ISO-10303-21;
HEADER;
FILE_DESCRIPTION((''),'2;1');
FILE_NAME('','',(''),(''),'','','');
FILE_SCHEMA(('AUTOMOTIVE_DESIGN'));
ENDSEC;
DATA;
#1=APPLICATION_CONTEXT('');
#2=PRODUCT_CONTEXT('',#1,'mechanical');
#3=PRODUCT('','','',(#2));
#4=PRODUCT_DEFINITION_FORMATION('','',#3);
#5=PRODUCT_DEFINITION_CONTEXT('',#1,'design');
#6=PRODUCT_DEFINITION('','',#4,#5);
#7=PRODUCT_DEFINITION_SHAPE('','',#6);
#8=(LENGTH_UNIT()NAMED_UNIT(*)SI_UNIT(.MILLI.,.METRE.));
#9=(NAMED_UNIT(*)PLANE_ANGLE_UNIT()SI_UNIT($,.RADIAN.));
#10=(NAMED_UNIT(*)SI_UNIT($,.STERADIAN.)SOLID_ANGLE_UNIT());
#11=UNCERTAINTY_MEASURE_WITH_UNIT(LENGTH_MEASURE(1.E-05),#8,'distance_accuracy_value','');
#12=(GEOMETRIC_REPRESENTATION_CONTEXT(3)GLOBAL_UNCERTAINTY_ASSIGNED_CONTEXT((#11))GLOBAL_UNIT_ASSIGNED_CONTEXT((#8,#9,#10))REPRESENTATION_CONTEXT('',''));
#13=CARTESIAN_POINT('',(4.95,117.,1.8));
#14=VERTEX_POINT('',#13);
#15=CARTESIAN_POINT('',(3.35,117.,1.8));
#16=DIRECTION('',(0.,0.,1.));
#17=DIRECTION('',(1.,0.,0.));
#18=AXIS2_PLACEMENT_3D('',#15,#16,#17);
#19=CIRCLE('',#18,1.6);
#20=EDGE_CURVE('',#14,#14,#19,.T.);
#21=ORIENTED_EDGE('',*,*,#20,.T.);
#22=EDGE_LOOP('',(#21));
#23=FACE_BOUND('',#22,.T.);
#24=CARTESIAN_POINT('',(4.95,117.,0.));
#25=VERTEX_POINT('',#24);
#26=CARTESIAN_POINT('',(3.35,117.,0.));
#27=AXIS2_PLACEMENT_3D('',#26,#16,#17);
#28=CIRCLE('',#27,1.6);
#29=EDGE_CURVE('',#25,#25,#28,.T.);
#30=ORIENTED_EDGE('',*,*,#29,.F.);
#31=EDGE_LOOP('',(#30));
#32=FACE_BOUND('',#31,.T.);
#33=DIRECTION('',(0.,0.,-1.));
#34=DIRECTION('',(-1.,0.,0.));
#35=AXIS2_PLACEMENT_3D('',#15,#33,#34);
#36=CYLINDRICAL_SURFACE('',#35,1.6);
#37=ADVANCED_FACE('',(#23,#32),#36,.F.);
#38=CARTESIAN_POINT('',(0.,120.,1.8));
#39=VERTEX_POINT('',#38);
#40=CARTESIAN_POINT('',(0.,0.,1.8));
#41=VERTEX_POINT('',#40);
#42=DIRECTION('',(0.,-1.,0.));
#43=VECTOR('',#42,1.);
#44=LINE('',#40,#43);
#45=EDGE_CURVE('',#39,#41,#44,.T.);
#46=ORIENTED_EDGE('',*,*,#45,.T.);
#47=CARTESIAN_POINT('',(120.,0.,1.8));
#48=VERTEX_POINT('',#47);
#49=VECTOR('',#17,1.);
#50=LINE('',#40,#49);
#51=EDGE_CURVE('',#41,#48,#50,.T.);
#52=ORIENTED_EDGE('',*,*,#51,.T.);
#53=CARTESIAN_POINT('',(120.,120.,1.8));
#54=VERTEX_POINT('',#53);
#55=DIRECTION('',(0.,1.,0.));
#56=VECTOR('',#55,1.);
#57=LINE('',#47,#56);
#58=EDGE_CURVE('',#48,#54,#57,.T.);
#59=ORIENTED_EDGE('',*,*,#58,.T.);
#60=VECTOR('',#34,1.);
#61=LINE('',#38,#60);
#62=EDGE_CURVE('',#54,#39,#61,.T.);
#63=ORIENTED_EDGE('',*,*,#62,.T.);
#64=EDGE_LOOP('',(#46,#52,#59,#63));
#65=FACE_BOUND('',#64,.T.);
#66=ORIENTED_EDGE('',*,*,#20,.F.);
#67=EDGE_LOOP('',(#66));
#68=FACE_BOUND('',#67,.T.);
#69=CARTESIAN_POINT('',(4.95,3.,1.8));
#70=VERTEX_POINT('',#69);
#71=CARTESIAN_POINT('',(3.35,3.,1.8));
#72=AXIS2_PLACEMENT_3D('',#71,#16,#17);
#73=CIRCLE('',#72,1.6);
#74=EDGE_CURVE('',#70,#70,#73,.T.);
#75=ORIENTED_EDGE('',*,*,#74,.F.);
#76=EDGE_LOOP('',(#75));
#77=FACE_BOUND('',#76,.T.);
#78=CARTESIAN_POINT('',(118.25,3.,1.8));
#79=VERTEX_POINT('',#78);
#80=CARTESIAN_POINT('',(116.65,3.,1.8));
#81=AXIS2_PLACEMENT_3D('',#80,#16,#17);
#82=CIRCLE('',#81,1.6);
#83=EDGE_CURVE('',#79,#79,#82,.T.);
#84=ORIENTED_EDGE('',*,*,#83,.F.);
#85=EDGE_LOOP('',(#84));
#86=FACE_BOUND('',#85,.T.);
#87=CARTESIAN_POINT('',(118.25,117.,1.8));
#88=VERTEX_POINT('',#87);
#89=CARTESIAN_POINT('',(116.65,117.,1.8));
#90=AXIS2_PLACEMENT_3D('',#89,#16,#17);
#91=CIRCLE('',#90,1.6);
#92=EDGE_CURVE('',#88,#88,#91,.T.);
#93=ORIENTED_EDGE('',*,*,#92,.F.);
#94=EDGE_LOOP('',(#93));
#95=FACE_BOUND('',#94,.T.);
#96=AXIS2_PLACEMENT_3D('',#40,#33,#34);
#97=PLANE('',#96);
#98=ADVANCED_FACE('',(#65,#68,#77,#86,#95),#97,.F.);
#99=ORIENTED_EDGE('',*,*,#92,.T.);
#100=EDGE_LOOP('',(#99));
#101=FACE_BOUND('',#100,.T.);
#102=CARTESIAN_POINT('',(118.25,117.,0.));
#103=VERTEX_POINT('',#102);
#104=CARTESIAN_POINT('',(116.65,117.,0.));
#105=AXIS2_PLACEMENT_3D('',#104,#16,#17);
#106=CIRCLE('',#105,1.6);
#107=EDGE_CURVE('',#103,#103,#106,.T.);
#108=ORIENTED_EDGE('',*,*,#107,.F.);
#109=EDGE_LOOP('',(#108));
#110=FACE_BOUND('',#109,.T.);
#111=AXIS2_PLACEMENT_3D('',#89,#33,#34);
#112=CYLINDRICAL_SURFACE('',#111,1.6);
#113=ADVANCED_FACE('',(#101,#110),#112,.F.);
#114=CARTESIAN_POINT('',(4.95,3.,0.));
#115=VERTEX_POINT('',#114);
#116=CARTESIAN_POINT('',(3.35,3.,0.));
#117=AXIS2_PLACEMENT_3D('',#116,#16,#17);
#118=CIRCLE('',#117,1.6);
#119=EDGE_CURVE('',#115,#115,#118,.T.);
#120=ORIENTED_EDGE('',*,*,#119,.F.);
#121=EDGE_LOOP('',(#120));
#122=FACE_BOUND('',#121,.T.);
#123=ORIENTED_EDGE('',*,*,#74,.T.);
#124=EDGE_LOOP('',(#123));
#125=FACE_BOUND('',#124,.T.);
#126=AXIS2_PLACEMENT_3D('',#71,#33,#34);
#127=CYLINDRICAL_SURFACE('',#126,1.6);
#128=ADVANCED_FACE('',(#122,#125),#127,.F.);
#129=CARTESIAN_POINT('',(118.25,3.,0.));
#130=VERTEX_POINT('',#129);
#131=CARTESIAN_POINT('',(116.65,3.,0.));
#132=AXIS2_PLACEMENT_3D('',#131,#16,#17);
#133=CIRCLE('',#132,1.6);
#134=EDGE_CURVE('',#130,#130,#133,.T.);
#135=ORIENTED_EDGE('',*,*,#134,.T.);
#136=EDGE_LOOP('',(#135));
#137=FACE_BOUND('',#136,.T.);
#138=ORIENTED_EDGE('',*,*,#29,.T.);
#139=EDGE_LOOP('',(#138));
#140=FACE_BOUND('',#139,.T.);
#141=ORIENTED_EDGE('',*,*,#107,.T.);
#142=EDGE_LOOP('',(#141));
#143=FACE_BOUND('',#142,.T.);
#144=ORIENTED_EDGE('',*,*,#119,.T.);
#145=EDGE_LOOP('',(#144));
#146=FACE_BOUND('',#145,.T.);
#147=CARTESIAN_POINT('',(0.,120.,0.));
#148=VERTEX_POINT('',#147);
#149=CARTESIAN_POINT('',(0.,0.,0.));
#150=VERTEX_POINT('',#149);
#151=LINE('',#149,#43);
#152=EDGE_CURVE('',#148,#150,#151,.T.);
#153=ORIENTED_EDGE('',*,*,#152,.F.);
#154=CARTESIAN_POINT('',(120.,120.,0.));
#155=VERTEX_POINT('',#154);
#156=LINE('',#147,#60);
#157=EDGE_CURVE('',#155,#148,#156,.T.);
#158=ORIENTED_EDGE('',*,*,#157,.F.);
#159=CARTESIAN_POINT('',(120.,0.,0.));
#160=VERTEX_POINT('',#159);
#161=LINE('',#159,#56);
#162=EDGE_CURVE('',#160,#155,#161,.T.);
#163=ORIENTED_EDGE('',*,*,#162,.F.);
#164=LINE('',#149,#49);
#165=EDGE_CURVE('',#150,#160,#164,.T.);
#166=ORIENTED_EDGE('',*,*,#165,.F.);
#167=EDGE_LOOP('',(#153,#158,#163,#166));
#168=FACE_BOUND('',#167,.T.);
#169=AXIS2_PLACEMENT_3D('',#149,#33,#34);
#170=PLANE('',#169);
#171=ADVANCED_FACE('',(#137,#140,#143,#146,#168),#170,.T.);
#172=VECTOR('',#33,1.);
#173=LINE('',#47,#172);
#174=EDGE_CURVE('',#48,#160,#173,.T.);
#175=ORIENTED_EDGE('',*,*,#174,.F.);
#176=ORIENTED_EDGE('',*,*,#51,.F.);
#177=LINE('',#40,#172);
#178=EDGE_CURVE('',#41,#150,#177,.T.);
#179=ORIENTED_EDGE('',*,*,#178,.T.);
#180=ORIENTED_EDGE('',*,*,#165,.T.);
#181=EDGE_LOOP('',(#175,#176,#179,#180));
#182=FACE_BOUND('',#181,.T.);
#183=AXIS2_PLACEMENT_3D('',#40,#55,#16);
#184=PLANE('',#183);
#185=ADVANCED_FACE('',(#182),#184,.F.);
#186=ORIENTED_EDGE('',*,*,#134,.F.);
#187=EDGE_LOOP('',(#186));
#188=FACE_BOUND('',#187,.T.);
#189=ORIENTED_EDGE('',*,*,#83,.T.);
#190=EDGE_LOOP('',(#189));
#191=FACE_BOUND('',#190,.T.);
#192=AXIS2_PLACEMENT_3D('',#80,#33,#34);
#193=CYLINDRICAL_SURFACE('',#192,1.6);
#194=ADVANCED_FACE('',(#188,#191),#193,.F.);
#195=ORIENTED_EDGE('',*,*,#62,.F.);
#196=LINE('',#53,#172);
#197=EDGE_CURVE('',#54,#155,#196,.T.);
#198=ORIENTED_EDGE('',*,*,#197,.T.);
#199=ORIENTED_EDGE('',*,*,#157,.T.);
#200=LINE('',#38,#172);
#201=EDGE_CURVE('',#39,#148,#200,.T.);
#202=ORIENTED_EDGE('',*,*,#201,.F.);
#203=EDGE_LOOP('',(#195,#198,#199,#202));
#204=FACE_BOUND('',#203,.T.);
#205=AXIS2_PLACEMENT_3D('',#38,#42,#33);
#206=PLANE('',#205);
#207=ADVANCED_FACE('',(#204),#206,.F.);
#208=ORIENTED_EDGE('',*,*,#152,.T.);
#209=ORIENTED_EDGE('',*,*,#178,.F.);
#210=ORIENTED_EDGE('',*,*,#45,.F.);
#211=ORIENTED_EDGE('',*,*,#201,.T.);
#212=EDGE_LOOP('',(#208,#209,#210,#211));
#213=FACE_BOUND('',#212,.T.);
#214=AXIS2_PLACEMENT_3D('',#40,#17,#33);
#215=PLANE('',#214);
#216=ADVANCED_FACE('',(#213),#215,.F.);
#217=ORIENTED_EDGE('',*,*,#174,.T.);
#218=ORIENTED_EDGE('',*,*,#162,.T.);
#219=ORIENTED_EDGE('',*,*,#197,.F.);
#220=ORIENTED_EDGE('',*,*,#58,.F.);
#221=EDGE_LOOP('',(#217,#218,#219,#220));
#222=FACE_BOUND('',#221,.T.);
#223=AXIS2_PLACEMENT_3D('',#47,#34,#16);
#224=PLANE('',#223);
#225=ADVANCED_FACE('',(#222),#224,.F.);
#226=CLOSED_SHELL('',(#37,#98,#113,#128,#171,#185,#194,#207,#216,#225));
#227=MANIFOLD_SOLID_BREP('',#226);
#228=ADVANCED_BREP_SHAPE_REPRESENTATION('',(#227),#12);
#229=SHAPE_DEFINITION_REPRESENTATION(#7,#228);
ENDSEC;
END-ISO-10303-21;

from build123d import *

# Parameters (mm, degrees)
SKETCH1_W           = 120
SKETCH1_H           = 120
SKETCH1_R           = 1.6
BOSS_EXTRUDE1_DEPTH = 1.8


with BuildPart() as part:
    # Sketch1 → Boss-Extrude1 (new body)
    with BuildSketch(Plane.XY):
        with Locations((60, 60)):
            Rectangle(SKETCH1_W, SKETCH1_H)
        with Locations((3.35, 117)):
            Circle(SKETCH1_R, mode=Mode.SUBTRACT)
        with Locations((116.65, 117)):
            Circle(SKETCH1_R, mode=Mode.SUBTRACT)
        with Locations((116.65, 3)):
            Circle(SKETCH1_R, mode=Mode.SUBTRACT)
        with Locations((3.35, 3)):
            Circle(SKETCH1_R, mode=Mode.SUBTRACT)
    extrude(amount=BOSS_EXTRUDE1_DEPTH)


solid = part.part
